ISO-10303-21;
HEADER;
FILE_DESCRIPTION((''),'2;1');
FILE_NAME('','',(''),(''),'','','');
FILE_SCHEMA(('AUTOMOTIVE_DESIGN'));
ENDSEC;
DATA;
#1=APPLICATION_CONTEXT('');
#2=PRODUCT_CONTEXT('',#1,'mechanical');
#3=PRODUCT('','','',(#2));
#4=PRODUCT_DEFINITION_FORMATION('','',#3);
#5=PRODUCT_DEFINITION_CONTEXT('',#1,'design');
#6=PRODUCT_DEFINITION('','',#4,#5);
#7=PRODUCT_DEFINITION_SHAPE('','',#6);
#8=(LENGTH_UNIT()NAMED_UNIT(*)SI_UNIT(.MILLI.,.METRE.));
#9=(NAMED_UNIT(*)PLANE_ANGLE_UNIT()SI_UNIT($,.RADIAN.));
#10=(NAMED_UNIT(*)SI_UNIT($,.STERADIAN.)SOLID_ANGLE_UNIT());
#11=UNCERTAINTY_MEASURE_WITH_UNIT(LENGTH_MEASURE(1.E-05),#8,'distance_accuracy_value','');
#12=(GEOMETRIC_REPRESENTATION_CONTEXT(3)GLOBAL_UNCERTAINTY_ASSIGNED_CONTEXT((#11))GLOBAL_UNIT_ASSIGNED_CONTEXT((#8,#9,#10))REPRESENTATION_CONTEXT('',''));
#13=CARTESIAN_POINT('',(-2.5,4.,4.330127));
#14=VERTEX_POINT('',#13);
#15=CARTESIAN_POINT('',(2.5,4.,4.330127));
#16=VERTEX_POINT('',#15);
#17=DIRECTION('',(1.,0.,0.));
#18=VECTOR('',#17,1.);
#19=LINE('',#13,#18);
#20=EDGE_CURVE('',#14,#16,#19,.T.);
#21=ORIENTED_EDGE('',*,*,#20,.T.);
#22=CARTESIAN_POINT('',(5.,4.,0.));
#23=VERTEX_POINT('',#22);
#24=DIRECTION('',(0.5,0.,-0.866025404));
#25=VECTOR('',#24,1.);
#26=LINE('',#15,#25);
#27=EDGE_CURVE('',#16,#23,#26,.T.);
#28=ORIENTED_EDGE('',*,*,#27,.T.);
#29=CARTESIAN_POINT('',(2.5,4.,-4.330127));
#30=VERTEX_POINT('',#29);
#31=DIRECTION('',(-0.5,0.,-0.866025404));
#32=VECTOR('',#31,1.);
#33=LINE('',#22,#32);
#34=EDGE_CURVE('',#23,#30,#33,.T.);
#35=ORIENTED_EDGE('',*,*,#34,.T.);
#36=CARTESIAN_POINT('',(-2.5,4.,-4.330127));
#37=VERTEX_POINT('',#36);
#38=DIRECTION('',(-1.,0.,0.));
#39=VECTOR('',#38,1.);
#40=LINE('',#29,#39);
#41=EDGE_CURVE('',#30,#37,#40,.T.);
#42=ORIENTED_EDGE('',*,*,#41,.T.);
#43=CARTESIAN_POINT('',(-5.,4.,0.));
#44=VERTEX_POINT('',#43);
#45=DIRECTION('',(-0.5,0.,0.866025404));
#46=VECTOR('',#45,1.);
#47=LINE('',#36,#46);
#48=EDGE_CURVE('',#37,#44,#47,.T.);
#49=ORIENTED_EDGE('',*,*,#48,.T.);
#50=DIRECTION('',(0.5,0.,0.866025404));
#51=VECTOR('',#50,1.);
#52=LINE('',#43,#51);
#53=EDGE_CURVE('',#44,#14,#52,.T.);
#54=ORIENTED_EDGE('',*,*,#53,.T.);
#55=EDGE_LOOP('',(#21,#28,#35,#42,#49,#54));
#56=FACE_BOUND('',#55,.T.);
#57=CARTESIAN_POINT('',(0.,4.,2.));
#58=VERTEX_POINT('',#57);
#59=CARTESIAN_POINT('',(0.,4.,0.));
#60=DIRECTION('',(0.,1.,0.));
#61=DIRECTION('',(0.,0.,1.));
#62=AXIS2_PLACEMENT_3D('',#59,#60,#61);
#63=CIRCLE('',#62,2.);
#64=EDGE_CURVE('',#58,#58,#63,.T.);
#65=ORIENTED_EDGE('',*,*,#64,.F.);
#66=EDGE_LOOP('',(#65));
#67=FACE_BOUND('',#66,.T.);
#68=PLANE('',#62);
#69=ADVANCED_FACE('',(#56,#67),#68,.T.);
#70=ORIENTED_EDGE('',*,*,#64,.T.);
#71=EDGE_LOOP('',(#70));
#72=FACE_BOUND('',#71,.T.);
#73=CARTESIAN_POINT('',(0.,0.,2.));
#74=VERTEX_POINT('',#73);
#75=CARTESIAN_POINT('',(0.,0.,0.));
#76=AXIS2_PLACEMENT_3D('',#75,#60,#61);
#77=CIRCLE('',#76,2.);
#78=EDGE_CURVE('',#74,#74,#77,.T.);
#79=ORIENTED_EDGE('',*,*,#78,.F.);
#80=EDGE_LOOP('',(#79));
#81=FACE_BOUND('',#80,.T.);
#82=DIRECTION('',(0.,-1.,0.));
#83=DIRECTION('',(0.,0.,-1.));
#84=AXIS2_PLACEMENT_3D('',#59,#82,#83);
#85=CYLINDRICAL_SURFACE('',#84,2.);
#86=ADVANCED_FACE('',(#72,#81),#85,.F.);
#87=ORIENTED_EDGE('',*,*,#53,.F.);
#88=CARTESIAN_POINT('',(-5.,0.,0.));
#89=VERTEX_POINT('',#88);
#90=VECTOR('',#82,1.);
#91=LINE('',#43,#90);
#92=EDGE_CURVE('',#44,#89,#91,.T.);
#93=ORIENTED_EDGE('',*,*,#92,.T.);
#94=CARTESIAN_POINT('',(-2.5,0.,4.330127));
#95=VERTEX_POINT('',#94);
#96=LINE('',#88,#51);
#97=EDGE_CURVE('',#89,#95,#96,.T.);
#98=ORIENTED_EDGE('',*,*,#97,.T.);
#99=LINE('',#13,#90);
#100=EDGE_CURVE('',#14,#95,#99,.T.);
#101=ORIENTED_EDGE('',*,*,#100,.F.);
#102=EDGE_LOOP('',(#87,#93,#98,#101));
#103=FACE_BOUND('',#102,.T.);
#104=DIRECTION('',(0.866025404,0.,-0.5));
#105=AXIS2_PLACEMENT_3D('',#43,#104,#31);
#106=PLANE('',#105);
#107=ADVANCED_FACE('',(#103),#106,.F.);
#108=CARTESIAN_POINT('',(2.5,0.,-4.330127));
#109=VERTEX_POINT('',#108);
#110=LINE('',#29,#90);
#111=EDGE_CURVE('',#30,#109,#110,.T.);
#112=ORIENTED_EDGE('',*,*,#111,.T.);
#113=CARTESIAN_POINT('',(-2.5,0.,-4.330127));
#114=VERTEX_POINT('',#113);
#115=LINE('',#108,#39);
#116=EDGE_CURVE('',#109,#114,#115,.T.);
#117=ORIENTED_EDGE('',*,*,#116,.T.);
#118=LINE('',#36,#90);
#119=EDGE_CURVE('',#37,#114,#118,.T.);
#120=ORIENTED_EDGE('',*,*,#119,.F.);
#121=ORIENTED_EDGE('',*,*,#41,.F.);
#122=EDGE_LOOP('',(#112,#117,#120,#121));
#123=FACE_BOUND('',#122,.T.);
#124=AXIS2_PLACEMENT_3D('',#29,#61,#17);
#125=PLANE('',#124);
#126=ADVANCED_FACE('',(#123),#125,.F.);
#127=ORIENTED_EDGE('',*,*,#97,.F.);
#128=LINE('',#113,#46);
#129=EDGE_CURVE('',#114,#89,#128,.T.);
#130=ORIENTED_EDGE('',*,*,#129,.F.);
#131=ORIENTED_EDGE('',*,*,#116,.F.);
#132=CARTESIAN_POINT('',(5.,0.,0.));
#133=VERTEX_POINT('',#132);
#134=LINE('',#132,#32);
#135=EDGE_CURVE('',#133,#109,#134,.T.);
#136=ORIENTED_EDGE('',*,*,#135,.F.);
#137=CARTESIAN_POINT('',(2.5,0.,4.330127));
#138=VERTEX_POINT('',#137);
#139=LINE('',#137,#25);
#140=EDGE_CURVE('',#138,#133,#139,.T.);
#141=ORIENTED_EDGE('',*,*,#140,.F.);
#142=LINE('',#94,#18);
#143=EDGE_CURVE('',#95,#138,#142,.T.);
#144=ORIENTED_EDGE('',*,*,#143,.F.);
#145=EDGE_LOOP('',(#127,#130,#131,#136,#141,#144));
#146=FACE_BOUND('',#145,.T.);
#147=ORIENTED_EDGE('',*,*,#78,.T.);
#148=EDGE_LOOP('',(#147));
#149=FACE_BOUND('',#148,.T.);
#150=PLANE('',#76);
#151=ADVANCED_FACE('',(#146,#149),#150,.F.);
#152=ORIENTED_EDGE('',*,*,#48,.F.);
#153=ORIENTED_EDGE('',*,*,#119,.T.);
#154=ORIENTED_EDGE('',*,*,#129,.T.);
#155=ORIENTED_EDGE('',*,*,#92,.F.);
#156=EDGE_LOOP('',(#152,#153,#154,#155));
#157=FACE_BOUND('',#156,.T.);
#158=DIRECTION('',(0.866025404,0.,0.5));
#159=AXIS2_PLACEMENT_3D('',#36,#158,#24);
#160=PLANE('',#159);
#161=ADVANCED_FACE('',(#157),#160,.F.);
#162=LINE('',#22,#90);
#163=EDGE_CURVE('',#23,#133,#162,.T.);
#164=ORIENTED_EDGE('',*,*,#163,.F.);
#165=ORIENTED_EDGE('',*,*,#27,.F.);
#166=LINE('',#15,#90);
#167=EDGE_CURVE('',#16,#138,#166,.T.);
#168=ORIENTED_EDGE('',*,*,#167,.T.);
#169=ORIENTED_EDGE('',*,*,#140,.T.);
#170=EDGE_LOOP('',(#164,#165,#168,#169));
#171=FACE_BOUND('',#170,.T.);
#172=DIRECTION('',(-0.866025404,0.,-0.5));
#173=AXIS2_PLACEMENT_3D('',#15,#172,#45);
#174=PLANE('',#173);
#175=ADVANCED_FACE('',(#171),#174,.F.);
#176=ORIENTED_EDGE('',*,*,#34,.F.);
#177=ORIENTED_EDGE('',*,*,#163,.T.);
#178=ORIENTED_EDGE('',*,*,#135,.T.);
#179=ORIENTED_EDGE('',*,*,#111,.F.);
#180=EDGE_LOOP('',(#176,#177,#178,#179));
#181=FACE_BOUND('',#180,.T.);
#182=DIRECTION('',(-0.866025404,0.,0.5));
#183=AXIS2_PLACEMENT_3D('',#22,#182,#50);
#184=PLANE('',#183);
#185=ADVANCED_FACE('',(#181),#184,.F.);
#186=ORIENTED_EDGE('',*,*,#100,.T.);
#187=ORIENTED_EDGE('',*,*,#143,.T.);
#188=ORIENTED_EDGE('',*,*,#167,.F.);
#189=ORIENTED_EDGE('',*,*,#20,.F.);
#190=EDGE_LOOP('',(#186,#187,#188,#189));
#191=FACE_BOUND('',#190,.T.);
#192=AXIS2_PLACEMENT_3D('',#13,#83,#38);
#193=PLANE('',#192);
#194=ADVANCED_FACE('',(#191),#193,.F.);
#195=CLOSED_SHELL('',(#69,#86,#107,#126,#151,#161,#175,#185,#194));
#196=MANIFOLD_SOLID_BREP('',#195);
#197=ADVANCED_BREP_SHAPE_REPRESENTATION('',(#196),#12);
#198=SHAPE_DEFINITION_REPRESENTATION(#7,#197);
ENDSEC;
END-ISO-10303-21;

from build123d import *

# Parameters (mm, degrees)
CROQUIS1_R              = 2
SALIENTE_EXTRUIR1_DEPTH = 4


with BuildPart() as part:
    # Croquis1 → Saliente-Extruir1 (new body)
    with BuildSketch(Plane(origin=(0, 0, 0), x_dir=(1, 0, 0), z_dir=(0, 1, 0))):
        Polygon((5, 0), (2.5, 4.330127019), (-2.5, 4.330127019), (-5, 0), (-2.5, -4.330127019), (2.5, -4.330127019), align=None)
        Circle(CROQUIS1_R, mode=Mode.SUBTRACT)
    extrude(amount=SALIENTE_EXTRUIR1_DEPTH)


solid = part.part
